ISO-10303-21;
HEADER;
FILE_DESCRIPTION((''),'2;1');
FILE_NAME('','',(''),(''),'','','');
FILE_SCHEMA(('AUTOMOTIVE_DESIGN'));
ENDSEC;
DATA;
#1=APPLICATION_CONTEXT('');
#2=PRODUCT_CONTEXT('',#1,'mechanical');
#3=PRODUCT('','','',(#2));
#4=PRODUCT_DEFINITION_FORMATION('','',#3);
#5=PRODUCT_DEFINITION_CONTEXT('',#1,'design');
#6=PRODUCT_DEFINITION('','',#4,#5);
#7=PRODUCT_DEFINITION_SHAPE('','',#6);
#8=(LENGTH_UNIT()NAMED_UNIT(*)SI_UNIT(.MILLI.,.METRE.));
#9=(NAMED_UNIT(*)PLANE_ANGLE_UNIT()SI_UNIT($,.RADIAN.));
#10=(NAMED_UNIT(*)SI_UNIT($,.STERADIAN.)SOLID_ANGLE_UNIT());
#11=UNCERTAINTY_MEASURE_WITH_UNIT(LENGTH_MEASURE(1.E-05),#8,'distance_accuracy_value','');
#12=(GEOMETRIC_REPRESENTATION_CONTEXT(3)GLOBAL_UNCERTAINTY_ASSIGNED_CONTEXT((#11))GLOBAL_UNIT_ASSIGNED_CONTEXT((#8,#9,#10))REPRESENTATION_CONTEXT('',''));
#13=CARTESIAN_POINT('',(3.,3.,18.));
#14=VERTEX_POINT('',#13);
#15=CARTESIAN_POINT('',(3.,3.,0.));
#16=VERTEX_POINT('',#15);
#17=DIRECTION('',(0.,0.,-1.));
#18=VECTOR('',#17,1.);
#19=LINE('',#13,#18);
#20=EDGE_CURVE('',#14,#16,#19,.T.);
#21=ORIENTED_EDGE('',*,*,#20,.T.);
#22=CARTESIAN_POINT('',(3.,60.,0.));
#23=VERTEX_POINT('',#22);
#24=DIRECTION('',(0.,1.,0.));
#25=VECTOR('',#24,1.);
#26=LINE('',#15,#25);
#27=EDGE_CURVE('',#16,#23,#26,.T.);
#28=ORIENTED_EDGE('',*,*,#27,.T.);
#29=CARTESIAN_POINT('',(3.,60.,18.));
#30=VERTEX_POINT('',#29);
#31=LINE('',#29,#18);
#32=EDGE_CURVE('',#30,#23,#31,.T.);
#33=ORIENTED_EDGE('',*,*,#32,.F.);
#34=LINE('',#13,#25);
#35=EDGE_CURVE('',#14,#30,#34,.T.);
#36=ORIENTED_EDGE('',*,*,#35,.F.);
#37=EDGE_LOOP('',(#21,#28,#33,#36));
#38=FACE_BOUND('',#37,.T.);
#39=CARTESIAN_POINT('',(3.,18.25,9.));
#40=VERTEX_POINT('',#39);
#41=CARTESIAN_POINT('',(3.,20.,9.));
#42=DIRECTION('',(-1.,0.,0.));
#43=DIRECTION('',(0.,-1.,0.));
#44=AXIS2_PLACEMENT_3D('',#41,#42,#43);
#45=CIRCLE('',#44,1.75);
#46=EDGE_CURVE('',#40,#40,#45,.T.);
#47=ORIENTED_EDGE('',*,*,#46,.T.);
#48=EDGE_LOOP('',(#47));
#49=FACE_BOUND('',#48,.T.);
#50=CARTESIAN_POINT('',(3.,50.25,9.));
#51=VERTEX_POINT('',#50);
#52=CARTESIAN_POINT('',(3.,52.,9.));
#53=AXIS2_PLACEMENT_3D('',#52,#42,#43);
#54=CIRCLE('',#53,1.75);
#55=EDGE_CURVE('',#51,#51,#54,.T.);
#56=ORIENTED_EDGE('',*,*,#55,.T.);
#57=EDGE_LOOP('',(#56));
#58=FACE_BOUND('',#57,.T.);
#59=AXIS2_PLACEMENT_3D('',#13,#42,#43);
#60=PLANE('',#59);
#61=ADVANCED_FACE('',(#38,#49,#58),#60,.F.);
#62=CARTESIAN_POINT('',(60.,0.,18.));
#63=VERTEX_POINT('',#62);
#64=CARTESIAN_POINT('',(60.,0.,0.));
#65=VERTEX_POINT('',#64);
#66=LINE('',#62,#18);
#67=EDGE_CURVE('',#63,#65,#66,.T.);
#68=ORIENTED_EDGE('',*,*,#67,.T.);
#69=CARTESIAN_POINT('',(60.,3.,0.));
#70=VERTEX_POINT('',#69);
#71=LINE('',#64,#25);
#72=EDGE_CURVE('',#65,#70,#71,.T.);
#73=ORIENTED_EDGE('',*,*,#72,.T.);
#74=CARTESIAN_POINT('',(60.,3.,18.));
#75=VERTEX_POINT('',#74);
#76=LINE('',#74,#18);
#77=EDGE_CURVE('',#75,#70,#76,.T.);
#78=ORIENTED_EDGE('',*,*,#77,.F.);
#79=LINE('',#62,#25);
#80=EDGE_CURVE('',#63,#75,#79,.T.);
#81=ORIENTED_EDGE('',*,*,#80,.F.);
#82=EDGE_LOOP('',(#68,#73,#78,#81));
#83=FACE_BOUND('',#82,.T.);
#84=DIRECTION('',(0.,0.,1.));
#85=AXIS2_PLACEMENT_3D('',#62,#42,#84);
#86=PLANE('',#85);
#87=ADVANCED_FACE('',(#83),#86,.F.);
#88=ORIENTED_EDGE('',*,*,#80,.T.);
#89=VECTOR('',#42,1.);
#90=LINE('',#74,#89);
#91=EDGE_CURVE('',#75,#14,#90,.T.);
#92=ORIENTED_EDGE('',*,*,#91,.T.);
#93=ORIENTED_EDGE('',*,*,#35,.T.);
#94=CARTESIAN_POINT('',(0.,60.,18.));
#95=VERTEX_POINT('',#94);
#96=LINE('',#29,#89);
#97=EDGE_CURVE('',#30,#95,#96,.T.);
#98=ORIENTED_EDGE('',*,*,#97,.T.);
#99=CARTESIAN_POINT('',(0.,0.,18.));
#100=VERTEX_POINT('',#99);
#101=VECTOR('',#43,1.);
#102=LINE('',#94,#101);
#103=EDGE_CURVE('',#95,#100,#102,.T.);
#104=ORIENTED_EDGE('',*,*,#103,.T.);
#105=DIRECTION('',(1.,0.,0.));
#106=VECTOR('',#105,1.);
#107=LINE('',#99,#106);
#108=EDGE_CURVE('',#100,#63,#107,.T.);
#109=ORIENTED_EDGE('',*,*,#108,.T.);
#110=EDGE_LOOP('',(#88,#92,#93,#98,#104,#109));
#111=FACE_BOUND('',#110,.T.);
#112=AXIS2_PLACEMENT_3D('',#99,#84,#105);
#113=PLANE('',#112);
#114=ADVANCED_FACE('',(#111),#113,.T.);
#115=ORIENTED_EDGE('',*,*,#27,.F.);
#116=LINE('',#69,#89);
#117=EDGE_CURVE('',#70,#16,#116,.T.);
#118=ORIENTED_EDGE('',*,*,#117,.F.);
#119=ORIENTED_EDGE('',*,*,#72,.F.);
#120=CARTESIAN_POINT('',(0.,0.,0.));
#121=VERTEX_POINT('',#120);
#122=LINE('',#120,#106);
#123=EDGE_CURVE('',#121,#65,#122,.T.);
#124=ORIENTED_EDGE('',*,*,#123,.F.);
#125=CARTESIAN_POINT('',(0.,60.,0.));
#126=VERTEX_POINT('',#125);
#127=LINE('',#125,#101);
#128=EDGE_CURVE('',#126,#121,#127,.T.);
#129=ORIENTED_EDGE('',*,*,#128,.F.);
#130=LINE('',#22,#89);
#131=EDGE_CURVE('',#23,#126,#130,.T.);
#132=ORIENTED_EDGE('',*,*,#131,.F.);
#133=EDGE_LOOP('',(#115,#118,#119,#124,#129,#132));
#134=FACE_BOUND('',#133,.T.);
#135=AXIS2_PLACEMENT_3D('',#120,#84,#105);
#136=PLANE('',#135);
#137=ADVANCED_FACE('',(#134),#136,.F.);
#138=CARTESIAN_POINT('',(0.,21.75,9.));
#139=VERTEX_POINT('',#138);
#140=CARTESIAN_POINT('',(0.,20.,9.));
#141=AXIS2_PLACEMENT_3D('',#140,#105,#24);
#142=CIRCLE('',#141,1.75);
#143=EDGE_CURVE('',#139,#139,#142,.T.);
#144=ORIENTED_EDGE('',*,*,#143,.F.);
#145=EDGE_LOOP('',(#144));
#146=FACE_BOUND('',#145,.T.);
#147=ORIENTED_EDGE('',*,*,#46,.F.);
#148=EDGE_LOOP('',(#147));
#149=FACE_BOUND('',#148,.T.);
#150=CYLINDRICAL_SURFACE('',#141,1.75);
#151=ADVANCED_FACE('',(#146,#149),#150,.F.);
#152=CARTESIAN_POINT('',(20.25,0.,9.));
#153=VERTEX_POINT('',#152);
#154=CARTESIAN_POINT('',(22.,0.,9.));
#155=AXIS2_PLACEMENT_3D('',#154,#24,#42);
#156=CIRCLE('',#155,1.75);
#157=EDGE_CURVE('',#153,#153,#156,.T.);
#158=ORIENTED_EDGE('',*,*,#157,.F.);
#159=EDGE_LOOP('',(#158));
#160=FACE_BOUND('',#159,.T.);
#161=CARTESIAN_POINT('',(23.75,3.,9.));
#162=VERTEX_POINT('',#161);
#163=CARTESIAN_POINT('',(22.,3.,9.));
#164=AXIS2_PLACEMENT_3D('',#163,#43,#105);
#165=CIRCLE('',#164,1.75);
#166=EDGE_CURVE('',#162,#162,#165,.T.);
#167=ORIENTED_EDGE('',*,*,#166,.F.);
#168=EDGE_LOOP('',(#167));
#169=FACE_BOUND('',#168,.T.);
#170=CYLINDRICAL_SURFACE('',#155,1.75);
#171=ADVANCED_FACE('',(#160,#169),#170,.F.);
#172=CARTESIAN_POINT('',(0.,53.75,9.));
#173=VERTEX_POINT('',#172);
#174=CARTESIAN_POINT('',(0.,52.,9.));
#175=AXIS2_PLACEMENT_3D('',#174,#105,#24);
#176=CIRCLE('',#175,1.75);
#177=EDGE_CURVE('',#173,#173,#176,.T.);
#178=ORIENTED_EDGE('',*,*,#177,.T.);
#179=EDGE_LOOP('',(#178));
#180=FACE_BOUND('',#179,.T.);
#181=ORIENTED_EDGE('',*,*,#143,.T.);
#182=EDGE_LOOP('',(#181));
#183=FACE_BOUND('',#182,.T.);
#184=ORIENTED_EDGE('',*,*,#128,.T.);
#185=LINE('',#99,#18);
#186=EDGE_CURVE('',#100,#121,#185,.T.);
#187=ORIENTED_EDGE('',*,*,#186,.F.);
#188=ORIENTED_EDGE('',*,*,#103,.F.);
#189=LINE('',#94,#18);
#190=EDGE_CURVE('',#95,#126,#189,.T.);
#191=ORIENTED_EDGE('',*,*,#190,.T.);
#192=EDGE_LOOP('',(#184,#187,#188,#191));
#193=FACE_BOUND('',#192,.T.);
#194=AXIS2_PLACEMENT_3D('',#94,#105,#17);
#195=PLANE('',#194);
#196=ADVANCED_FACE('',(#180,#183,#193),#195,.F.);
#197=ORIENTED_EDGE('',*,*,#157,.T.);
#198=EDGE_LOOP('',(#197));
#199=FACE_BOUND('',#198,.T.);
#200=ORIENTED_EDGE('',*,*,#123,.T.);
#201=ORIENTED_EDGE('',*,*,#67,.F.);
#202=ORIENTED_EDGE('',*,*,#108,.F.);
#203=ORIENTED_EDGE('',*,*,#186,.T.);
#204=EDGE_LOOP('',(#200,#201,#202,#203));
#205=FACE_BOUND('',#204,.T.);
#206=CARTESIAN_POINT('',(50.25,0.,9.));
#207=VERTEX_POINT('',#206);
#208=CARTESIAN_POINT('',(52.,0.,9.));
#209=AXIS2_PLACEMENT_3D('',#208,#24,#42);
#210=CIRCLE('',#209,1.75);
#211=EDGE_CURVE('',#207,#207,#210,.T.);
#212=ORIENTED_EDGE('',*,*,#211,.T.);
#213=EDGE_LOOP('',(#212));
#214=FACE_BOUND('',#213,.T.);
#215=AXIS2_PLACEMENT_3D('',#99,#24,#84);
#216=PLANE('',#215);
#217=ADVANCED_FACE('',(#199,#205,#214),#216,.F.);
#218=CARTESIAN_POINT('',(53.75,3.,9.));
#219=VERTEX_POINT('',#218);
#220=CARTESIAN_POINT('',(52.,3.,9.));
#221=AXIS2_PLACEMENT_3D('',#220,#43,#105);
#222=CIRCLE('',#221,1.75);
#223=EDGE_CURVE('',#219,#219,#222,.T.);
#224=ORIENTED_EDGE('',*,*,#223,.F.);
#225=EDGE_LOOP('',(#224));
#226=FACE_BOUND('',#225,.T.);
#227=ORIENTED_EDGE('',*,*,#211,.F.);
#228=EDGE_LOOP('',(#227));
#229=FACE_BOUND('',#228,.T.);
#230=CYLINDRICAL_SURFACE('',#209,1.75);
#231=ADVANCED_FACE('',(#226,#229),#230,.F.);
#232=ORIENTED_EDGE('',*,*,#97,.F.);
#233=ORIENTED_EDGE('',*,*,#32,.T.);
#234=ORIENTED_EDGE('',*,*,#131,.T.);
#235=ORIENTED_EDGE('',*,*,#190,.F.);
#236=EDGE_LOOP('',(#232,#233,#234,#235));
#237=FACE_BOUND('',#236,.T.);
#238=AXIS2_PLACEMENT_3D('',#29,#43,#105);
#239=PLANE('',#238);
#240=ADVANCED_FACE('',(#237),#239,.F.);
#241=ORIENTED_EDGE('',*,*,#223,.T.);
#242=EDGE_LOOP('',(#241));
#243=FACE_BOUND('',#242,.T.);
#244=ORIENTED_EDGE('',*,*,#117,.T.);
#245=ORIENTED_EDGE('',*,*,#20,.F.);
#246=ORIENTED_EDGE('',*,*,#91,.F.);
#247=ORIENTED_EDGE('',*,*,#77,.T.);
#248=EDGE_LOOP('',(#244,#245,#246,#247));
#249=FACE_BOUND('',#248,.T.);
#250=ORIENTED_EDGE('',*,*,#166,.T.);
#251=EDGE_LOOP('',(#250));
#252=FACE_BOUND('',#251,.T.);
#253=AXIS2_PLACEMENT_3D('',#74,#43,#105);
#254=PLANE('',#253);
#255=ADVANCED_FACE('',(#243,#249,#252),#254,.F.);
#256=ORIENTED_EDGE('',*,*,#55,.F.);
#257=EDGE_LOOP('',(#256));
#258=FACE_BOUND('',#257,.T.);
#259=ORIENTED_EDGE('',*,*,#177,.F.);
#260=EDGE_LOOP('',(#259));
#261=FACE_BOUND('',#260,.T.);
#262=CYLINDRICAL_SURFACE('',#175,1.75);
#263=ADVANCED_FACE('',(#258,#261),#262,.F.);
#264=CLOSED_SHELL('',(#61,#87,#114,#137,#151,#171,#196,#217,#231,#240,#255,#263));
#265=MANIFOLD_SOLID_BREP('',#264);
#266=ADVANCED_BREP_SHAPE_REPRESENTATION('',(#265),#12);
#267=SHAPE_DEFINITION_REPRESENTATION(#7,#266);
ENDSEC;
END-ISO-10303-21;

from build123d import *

# Parameters (mm, degrees)
EXTRUDE_1_DEPTH     = 18
SKETCH_3_R          = 1.75
CUT_EXTRUDE_1_DEPTH = 79.31347266
SKETCH_4_R          = 1.75
CUT_EXTRUDE_3_DEPTH = 79.31347266


with BuildPart() as part:
    # 草图2 → 凸台-拉伸1 (new body)
    with BuildSketch(Plane.XY):
        Polygon((0, 0), (60, 0), (60, 3), (3, 3), (3, 60), (0, 60), align=None)
    extrude(amount=EXTRUDE_1_DEPTH)

    # 草图3 → 切除-拉伸1 (cut, through all)
    with BuildSketch(Plane(origin=(13, 0, 0), x_dir=(0, 0, -1), z_dir=(1, 0, 0))):
        with Locations(Location((-9, 52, 0), (0, 0, 90))):
            Circle(SKETCH_3_R)
        with Locations(Location((-9, 20, 0), (0, 0, 90))):
            Circle(SKETCH_3_R)
    extrude(amount=-CUT_EXTRUDE_1_DEPTH, mode=Mode.SUBTRACT)

    # 草图4 → 切除-拉伸3 (cut, through all)
    with BuildSketch(Plane(origin=(0, 13, 0), x_dir=(1, 0, 0), z_dir=(0, 1, 0))):
        with Locations(Location((52, -9, 0), (0, 0, 180))):
            Circle(SKETCH_4_R)
        with Locations(Location((22, -9, 0), (0, 0, 180))):
            Circle(SKETCH_4_R)
    extrude(amount=-CUT_EXTRUDE_3_DEPTH, mode=Mode.SUBTRACT)


solid = part.part
